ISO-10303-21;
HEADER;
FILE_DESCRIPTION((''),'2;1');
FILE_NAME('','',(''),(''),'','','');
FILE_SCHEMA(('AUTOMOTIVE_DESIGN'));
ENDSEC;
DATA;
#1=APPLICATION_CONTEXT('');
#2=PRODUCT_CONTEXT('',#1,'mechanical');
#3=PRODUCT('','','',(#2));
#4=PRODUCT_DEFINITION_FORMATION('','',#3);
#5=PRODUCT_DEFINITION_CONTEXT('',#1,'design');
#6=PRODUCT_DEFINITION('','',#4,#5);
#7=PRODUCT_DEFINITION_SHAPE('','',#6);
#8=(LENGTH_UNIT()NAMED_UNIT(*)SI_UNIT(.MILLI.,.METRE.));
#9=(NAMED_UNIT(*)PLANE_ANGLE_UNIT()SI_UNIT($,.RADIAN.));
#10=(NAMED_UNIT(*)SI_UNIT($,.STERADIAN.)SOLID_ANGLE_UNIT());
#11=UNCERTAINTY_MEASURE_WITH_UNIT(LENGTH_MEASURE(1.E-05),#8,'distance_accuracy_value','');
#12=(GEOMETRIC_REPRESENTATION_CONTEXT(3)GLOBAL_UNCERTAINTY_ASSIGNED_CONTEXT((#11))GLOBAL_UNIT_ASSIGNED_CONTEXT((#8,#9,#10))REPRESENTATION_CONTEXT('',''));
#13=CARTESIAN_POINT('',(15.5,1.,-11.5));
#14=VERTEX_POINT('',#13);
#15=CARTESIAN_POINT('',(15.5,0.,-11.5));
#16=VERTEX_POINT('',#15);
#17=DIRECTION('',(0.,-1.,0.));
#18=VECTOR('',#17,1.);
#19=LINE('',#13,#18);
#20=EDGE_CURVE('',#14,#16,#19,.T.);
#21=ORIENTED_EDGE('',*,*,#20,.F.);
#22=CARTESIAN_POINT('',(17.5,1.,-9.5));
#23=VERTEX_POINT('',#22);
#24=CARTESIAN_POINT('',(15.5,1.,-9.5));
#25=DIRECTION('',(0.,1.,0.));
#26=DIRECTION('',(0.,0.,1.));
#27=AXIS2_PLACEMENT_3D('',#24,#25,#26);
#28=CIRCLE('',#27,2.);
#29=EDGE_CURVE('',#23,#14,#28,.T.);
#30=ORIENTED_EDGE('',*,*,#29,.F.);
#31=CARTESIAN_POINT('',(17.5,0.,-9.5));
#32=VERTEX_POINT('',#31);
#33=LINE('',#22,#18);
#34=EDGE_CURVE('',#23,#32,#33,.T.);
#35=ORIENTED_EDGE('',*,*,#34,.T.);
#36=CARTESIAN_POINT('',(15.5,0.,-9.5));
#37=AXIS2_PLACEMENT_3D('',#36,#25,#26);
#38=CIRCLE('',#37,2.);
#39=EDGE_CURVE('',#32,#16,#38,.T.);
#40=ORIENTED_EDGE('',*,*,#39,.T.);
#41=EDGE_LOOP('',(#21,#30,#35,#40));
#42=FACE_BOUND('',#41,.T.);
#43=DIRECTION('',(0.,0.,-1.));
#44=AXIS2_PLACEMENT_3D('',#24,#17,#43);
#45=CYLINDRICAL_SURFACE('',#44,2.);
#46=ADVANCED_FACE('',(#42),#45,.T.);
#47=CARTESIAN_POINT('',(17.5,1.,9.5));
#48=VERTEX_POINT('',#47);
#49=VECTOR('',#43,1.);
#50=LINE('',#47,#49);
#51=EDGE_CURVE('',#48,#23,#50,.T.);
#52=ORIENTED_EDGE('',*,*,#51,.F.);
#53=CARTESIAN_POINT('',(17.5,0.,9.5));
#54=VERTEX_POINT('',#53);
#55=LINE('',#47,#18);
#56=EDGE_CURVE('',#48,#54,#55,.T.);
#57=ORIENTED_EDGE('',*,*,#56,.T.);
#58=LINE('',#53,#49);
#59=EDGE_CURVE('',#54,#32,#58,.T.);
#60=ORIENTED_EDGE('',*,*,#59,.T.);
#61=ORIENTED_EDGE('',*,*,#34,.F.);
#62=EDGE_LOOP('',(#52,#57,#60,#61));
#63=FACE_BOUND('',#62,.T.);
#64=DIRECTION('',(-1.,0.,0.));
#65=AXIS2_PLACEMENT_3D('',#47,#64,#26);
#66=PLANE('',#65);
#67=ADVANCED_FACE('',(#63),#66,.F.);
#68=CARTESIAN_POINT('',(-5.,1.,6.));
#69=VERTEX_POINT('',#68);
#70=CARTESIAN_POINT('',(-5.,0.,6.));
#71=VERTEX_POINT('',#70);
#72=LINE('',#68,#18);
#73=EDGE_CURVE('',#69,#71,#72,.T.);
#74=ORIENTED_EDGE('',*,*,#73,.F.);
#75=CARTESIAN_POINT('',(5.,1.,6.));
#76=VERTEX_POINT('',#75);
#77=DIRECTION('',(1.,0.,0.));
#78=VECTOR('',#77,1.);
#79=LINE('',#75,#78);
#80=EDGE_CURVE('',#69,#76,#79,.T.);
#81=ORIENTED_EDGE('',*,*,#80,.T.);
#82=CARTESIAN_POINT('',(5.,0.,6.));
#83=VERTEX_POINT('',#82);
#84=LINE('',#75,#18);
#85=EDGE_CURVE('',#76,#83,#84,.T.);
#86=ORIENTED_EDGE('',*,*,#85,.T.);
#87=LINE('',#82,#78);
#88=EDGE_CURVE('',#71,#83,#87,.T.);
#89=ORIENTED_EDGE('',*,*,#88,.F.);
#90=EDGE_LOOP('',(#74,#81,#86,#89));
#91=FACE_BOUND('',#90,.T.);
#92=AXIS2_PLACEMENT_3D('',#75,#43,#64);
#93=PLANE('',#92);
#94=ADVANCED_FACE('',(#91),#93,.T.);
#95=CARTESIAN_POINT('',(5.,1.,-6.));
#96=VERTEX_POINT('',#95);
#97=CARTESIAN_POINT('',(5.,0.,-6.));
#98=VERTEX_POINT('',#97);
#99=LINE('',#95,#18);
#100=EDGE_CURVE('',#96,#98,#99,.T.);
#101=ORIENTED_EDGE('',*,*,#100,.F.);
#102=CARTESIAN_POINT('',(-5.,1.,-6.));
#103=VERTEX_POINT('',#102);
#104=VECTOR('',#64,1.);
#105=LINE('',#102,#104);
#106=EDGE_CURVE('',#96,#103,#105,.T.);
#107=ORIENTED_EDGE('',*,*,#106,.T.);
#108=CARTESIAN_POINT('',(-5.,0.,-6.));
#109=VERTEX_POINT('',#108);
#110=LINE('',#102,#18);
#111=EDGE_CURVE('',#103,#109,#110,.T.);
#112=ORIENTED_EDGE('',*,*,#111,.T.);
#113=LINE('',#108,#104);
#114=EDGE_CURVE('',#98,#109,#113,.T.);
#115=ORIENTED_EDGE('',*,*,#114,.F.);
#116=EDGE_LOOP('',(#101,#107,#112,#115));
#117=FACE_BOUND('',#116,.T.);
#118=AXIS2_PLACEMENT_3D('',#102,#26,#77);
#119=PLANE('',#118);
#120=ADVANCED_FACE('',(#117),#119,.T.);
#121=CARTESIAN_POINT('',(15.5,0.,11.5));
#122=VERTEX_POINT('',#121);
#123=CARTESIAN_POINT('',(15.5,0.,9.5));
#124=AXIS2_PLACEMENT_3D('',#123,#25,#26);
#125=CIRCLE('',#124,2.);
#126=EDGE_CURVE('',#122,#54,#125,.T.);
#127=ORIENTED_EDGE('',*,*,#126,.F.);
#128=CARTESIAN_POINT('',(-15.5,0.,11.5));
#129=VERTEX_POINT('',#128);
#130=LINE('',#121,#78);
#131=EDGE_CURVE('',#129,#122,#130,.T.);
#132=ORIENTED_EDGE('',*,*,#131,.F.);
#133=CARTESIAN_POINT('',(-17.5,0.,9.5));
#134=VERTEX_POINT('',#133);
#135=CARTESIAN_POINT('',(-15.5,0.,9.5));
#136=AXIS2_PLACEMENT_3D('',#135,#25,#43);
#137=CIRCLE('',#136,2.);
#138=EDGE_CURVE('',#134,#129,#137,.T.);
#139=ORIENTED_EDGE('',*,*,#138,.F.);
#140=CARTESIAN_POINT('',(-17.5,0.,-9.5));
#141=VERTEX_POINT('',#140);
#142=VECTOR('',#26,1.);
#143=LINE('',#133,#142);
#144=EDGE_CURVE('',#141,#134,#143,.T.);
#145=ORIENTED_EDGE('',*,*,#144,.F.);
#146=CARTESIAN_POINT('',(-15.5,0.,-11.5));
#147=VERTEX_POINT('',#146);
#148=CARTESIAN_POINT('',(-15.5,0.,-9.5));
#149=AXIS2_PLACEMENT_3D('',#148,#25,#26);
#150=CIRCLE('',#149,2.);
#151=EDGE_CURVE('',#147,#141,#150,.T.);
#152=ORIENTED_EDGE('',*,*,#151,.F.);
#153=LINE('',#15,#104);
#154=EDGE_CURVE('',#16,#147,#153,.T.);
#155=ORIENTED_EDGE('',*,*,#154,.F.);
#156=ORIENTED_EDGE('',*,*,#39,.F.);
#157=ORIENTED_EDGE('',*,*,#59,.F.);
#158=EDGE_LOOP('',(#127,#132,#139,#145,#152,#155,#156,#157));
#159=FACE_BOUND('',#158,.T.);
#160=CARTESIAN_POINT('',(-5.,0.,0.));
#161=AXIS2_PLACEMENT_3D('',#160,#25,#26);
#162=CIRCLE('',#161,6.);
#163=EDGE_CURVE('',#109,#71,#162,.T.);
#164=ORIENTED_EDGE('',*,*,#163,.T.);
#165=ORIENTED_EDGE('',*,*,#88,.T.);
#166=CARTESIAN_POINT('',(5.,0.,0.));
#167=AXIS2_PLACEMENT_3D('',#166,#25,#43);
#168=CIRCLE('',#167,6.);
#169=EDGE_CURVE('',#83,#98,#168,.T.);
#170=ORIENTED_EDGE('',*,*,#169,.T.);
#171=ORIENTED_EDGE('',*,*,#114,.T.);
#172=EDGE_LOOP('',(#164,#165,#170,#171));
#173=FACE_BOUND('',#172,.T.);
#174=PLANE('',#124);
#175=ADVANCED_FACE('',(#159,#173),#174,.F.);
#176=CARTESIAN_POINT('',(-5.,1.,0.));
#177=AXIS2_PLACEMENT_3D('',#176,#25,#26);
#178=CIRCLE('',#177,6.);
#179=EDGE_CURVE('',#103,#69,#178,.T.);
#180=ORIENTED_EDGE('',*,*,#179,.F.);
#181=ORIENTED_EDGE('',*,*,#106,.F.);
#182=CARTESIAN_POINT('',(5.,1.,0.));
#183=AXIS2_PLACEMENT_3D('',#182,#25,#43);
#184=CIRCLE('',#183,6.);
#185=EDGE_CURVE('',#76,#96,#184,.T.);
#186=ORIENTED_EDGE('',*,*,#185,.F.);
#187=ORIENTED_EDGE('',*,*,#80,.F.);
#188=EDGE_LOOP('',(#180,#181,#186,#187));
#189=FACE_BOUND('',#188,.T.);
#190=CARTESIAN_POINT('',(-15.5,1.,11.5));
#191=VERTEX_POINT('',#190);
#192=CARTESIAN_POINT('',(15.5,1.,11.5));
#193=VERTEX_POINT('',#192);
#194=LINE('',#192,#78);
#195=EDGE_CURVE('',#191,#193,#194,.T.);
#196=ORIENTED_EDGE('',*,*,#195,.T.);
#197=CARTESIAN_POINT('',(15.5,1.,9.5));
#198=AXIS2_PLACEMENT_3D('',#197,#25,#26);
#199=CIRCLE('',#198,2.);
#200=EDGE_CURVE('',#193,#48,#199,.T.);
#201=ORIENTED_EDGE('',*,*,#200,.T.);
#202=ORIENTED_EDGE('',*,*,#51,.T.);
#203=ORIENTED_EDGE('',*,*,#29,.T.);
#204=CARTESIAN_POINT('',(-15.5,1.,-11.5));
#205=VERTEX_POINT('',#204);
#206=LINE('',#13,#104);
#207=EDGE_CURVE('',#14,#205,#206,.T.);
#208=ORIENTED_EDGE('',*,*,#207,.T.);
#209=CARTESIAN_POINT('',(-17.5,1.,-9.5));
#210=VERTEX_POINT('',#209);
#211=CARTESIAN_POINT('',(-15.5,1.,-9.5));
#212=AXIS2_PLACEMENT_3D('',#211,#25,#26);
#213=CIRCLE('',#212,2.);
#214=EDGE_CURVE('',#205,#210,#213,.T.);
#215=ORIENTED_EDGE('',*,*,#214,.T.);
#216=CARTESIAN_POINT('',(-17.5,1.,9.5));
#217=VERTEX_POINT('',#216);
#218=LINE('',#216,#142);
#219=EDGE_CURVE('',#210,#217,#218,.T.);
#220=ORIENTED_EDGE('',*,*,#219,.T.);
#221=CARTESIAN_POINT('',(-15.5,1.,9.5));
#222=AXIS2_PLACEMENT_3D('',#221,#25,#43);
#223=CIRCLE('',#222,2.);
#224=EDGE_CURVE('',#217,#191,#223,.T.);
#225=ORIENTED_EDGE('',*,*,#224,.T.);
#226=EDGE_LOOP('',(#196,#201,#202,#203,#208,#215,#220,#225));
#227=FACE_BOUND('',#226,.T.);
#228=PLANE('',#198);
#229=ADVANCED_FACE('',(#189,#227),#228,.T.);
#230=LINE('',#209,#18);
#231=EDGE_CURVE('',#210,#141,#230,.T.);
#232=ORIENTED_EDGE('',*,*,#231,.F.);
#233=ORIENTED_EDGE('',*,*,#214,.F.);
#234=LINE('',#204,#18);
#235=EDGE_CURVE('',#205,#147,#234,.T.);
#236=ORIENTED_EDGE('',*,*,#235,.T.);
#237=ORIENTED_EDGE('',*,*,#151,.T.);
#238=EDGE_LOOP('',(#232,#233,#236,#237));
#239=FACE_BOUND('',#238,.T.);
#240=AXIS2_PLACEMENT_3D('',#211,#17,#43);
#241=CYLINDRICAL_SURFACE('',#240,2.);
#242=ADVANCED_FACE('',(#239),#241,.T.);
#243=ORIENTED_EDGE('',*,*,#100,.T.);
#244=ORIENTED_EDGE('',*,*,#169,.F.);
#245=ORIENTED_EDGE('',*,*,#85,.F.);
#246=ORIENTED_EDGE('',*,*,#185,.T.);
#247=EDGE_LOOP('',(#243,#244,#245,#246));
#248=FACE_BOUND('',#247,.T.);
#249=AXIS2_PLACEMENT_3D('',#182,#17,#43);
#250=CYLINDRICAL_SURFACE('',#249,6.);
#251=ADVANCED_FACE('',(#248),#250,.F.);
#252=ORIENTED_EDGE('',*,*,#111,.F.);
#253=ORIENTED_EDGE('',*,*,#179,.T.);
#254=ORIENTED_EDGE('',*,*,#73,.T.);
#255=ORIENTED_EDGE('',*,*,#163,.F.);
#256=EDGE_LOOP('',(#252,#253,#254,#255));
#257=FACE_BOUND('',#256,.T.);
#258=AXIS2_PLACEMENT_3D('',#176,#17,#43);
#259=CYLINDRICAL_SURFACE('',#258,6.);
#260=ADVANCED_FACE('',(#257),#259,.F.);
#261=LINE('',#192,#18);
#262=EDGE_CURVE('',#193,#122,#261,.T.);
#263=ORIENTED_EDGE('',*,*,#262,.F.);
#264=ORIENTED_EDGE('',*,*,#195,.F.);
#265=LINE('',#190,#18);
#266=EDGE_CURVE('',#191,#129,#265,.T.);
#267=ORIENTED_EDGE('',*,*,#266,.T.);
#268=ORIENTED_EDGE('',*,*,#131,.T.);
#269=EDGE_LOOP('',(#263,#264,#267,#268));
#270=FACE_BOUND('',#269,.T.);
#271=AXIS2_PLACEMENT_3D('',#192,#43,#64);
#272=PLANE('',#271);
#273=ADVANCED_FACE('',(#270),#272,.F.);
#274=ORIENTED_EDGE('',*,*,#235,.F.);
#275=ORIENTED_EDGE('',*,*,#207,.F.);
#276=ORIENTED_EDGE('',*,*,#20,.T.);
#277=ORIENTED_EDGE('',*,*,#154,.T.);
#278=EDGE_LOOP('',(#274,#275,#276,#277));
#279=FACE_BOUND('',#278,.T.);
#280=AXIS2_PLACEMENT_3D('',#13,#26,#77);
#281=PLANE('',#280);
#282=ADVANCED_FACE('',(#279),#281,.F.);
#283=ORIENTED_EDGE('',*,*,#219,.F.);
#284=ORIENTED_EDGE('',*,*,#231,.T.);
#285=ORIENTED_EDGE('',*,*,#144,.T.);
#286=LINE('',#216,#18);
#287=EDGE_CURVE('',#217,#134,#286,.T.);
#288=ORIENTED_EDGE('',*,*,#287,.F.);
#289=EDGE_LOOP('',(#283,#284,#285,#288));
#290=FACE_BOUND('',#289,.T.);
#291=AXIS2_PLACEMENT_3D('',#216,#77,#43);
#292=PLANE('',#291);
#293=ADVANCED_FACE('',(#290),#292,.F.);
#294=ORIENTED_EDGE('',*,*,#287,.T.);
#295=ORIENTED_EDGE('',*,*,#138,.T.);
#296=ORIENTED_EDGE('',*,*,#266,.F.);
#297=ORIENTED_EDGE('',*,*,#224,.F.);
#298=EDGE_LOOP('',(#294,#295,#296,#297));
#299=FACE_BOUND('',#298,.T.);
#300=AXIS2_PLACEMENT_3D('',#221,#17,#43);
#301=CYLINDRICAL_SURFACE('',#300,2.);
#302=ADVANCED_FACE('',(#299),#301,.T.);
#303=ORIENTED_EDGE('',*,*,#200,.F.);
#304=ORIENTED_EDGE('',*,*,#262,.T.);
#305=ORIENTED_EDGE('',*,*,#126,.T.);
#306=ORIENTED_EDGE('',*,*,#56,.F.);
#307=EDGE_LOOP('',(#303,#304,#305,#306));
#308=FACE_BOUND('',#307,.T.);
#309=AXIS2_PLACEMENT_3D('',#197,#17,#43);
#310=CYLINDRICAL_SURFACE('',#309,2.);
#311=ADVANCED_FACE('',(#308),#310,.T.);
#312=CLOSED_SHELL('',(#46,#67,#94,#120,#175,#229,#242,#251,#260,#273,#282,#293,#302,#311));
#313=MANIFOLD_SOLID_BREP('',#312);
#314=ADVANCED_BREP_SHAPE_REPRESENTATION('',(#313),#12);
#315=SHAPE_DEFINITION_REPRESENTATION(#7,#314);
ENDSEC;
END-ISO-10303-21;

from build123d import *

# Parameters (mm, degrees)
EXTRUDE_1_DEPTH = 1


with BuildPart() as part:
    # Эскиз1 → Бобышка-Вытянуть1 (new body)
    with BuildSketch(Plane(origin=(0, 0, 0), x_dir=(1, 0, 0), z_dir=(0, 1, 0))):
        with BuildLine():
            Line((15.5, -11.5), (-15.5, -11.5))
            ThreePointArc((-15.5, -11.5), (-16.914213562, -10.914213562), (-17.5, -9.5))
            Line((-17.5, -9.5), (-17.5, 9.5))
            ThreePointArc((-17.5, 9.5), (-16.914213562, 10.914213562), (-15.5, 11.5))
            Line((-15.5, 11.5), (15.5, 11.5))
            ThreePointArc((15.5, 11.5), (16.914213562, 10.914213562), (17.5, 9.5))
            Line((17.5, 9.5), (17.5, -9.5))
            ThreePointArc((17.5, -9.5), (16.914213562, -10.914213562), (15.5, -11.5))
        make_face()
        with BuildLine():
            Line((-5, 6), (5, 6))
            ThreePointArc((5, 6), (11, 0), (5, -6))
            Line((5, -6), (-5, -6))
            ThreePointArc((-5, -6), (-11, 0), (-5, 6))
        make_face(mode=Mode.SUBTRACT)
    extrude(amount=EXTRUDE_1_DEPTH)


solid = part.part
